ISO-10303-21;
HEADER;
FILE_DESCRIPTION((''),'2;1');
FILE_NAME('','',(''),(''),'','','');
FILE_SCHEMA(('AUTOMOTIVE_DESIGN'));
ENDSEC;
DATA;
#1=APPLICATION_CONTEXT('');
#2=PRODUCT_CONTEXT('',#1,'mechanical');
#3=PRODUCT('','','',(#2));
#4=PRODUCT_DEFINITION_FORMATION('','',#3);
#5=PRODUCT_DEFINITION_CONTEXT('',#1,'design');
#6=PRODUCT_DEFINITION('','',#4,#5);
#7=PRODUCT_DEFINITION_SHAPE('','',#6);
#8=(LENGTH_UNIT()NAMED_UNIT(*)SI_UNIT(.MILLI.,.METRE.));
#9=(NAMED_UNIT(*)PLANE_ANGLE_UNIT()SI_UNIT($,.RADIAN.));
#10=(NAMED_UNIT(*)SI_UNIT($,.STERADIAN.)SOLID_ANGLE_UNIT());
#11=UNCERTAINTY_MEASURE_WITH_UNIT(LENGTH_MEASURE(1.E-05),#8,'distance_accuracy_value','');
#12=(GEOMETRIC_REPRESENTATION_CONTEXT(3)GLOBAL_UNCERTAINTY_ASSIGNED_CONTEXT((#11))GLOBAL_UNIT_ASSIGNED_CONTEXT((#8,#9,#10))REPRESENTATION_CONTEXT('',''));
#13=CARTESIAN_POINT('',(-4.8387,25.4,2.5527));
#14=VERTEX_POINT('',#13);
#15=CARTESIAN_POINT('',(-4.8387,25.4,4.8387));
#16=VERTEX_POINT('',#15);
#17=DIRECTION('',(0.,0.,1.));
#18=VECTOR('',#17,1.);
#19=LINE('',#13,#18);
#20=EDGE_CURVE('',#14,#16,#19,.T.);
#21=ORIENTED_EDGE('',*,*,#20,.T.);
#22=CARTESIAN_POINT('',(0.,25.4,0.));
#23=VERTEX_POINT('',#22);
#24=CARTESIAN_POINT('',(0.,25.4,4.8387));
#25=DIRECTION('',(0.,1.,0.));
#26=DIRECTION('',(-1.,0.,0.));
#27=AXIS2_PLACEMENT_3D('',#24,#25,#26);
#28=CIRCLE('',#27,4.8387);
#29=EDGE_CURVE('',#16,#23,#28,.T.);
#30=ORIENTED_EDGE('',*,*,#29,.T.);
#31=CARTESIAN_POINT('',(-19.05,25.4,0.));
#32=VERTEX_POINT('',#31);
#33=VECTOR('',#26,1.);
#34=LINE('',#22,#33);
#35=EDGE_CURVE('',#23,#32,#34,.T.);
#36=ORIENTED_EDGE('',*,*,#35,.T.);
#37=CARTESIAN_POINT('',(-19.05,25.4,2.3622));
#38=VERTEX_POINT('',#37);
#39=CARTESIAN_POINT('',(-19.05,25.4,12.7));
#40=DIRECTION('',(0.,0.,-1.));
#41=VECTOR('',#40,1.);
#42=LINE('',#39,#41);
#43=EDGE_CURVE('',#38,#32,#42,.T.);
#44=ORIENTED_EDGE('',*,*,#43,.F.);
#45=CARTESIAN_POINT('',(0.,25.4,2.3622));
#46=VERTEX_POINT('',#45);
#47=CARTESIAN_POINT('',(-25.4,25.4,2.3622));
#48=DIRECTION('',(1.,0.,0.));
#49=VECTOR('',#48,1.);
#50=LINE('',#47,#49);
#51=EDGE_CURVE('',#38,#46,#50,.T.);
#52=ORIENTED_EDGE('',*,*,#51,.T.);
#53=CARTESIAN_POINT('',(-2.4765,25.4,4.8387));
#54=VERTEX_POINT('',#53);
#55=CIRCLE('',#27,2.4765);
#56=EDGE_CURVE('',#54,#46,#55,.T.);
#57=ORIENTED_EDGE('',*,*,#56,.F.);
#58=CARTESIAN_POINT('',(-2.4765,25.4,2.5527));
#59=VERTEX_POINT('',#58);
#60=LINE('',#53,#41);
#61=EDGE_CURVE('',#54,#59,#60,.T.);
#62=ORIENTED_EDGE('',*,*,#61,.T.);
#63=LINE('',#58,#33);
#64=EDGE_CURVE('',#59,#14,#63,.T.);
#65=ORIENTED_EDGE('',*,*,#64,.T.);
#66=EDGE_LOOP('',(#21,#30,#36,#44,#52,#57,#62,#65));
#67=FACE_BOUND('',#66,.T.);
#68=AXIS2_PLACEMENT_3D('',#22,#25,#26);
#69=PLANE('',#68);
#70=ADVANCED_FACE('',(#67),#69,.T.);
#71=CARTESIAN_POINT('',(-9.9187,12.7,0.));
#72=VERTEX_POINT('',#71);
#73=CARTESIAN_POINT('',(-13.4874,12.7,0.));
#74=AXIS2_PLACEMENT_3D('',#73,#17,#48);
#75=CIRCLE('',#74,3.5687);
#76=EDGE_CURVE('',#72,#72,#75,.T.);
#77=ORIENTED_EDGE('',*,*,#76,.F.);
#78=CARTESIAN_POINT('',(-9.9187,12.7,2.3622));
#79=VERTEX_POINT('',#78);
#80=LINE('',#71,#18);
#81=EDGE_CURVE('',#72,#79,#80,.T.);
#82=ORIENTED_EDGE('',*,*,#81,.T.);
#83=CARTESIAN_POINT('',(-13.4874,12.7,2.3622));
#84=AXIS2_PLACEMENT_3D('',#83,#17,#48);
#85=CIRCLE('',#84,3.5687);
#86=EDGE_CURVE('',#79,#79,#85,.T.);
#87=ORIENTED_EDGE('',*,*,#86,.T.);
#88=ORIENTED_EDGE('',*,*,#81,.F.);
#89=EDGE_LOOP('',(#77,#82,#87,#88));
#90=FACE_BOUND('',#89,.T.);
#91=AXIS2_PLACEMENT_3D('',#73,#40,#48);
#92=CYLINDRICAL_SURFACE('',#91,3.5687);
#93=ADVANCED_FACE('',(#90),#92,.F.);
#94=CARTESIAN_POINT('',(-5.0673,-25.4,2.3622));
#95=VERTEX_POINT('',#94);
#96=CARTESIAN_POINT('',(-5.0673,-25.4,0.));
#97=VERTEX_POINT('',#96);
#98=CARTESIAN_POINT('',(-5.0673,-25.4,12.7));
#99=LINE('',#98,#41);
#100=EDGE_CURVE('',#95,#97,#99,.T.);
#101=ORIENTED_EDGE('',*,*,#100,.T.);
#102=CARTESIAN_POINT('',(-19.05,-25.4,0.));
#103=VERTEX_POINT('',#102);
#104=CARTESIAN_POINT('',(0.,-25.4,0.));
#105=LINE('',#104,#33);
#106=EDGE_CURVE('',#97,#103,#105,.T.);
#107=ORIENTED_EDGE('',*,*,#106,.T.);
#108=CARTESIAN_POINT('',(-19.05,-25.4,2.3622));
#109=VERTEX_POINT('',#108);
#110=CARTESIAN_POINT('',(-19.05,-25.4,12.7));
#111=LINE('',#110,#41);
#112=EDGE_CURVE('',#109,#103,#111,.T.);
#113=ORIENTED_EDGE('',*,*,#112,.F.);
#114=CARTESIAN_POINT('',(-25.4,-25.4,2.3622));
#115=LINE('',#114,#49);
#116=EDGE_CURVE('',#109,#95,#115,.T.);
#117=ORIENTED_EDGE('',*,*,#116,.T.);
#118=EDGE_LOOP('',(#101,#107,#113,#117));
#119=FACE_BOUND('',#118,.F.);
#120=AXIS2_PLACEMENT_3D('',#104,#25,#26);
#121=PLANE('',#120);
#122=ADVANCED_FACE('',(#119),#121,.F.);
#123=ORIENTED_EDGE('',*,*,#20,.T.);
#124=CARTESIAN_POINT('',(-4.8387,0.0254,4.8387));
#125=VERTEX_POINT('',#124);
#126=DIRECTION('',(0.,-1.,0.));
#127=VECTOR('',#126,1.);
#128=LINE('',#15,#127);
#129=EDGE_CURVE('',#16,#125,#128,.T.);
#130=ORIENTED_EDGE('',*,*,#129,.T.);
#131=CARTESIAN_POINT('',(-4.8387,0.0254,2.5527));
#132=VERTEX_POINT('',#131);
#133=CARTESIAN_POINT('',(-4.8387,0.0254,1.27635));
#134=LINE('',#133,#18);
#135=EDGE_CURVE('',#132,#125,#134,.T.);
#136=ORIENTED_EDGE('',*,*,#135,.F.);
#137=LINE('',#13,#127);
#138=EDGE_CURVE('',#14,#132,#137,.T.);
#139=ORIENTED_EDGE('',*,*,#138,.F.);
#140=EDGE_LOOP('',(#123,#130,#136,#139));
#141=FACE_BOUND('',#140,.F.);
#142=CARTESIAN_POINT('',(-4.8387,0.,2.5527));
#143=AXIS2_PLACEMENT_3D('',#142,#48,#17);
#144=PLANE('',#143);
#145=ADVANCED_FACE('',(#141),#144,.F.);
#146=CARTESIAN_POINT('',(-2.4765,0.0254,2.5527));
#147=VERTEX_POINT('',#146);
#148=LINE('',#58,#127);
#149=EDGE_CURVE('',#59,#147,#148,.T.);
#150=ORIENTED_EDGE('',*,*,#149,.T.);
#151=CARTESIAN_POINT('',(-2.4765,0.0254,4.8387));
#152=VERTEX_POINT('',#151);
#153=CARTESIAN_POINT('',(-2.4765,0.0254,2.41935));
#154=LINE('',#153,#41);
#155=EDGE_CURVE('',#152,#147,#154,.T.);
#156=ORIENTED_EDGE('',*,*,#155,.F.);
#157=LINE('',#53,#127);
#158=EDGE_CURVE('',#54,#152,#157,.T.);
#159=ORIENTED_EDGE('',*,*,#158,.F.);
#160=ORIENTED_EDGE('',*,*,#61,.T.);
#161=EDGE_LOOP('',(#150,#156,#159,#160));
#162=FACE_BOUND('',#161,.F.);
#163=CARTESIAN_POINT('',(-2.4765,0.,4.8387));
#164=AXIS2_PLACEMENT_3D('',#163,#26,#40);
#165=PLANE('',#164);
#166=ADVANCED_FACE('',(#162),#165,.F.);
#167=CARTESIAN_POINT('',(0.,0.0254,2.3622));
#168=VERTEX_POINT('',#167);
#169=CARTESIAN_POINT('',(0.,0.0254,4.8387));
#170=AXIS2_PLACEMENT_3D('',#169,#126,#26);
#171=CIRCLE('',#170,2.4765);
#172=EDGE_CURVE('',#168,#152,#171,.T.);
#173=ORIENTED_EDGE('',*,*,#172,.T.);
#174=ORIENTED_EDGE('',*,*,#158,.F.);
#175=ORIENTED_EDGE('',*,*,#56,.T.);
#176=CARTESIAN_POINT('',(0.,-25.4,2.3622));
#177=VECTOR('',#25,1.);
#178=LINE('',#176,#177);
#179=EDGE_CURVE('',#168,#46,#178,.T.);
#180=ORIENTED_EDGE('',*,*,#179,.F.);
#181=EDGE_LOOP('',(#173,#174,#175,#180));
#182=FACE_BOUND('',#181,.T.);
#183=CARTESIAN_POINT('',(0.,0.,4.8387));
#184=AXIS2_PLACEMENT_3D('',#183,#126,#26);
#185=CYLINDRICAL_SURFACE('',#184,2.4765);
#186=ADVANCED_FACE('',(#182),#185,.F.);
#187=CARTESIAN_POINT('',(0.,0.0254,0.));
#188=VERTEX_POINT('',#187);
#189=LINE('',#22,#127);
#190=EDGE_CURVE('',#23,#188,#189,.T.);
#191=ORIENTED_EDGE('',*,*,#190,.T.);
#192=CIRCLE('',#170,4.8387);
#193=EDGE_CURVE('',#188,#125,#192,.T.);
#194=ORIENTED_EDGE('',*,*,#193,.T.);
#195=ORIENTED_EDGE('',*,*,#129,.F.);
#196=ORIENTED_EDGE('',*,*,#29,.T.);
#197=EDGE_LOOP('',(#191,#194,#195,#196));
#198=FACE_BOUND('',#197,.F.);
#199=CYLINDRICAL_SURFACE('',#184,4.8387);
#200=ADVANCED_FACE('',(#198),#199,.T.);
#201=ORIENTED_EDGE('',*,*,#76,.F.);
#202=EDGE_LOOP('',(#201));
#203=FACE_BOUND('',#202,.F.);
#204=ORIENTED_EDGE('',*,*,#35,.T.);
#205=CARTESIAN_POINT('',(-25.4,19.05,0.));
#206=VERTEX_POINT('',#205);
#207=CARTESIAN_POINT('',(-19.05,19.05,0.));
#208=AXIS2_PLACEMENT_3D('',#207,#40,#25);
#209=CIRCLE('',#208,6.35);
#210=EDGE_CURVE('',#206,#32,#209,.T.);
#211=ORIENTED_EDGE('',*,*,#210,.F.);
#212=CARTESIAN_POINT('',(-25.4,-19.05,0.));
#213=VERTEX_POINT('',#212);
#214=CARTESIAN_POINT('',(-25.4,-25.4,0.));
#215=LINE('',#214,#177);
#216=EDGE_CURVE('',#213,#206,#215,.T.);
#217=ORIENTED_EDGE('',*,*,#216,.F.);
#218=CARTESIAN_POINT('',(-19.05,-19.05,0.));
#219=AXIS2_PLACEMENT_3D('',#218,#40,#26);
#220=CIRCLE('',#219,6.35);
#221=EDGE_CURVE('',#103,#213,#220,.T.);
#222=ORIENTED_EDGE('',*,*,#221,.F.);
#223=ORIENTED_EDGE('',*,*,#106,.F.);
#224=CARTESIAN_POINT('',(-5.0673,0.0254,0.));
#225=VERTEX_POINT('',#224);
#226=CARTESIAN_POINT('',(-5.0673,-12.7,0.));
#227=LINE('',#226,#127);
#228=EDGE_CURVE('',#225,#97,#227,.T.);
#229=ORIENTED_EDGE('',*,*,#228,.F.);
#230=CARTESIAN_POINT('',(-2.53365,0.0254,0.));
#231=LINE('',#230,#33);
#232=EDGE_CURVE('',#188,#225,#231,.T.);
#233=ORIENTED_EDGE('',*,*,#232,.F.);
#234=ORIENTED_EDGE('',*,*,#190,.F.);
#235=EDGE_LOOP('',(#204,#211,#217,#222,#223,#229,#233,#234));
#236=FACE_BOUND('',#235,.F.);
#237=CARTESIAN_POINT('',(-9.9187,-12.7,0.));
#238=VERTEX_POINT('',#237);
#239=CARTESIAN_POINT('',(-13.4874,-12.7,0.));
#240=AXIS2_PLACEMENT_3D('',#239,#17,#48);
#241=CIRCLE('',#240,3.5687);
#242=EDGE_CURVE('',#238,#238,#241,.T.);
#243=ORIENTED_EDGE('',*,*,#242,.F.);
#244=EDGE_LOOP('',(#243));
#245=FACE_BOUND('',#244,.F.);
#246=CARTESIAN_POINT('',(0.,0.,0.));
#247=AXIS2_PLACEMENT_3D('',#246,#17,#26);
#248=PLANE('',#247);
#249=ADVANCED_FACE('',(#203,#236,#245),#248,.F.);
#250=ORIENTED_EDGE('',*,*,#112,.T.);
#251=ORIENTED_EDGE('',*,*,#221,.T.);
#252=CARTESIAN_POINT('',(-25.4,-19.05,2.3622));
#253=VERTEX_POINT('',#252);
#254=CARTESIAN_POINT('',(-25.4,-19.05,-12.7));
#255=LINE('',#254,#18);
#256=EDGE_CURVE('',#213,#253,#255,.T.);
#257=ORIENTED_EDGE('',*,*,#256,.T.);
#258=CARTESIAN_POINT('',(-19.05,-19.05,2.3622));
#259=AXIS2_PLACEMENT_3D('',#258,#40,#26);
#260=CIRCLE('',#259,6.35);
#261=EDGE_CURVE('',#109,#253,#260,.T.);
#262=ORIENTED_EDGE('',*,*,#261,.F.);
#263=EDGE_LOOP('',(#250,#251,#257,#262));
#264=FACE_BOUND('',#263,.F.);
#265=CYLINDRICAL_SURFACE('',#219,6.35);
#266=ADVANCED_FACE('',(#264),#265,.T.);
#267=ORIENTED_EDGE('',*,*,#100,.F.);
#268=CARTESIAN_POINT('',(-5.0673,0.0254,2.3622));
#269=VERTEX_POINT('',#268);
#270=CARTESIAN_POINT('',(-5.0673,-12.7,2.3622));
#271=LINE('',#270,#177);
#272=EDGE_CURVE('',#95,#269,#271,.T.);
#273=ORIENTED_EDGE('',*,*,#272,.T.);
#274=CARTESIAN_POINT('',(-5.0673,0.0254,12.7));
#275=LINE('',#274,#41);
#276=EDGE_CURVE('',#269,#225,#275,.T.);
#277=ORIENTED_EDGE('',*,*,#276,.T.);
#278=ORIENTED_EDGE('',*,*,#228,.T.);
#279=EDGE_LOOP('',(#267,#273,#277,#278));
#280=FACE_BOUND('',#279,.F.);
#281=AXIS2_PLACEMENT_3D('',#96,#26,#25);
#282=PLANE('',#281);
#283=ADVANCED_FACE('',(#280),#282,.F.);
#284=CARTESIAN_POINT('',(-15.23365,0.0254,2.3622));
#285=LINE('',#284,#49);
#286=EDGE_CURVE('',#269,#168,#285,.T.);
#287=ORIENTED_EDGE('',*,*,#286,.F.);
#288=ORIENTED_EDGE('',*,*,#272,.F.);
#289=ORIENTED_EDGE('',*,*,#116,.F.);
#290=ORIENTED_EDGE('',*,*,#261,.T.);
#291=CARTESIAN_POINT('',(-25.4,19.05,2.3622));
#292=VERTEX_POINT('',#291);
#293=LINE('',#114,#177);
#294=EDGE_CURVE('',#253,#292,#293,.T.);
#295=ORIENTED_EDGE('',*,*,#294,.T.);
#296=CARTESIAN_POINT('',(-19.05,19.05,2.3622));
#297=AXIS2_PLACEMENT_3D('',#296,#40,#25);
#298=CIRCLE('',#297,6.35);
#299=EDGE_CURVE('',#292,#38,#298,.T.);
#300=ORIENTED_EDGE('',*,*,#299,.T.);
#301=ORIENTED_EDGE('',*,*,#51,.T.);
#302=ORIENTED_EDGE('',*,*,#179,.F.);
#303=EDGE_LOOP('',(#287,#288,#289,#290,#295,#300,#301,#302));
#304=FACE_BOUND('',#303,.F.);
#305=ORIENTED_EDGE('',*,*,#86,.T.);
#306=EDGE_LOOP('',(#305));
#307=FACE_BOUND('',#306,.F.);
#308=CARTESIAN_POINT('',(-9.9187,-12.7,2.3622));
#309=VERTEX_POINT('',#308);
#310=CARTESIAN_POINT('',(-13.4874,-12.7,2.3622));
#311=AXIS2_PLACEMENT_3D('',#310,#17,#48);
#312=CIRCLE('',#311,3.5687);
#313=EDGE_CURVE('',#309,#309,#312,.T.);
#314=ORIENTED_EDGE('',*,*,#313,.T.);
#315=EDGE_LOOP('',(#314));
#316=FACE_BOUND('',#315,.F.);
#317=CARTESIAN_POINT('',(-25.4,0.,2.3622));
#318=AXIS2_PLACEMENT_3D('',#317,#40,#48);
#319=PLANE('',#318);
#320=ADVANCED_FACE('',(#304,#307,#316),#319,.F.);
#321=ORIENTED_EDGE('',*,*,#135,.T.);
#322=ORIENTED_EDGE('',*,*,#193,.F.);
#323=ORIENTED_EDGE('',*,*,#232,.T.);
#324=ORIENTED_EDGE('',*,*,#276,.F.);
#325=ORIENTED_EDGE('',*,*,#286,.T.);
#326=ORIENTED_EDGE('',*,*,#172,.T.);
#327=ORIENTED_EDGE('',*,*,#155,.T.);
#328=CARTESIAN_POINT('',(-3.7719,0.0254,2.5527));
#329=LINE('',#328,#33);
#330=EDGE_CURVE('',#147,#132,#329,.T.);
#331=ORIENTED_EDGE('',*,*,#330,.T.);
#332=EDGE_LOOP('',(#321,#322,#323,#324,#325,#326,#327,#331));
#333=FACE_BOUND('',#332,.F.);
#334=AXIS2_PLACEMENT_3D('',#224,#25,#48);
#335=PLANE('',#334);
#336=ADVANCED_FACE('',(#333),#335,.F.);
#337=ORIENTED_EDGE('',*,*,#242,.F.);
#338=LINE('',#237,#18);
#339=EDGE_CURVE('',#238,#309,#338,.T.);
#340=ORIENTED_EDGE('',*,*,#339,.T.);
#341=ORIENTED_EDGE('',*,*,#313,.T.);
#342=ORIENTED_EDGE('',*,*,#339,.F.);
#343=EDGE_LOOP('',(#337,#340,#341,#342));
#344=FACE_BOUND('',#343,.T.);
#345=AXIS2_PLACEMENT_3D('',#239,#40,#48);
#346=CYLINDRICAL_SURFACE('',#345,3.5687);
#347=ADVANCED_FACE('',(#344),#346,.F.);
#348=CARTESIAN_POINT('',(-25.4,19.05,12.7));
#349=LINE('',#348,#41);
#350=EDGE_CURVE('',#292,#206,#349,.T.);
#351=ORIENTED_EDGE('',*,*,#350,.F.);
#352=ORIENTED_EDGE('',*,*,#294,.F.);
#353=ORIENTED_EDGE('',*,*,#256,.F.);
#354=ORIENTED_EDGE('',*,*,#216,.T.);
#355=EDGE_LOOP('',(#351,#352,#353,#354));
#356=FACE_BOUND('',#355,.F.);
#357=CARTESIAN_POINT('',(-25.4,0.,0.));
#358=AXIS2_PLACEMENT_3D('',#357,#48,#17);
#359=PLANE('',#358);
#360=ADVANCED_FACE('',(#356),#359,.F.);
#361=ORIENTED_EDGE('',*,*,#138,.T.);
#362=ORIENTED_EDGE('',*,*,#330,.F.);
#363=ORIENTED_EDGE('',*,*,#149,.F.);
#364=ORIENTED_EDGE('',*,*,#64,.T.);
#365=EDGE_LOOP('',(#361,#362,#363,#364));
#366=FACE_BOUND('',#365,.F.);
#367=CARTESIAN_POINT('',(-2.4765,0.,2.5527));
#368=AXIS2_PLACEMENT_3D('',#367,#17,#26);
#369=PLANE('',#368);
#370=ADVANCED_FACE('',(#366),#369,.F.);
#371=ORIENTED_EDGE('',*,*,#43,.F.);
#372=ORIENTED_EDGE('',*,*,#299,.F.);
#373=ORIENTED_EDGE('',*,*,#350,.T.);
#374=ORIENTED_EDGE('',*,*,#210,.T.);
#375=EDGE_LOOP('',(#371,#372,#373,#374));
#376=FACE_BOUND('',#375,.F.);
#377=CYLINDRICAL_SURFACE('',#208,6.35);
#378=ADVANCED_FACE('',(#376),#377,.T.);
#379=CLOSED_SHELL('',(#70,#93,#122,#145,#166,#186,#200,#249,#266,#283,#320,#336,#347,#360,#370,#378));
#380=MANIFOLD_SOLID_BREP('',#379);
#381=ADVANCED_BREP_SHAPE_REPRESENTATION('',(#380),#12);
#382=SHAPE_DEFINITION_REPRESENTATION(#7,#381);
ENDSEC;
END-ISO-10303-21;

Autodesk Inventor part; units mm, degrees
sketch "Sketch_1" plane through (0, 0, 0) normal (0, 1, 0) x (-1, 0, 0)
  line L0 (25.4, 0) -> (25.4, 2.3622)
  line L1 (25.4, 2.3622) -> (0, 2.3622)
  arc A0 (2.4765, 4.8387) -> (0, 2.3622) centre (0, 4.8387) ccw
  line L2 (2.4765, 4.8387) -> (2.4765, 2.5527)
  line L3 (2.4765, 2.5527) -> (4.8387, 2.5527)
  line L4 (4.8387, 2.5527) -> (4.8387, 4.8387)
  arc A1 (4.8387, 4.8387) -> (0, 0) centre (0, 4.8387) ccw
  line L5 (0, 0) -> (25.4, 0)
extrude "Extrusion1" add sketch "Sketch_1" along normal mid plane 50.8
sketch "Sketch_3" plane through (0, 0, 0) normal (0, 0, 1) x (1, 0, 0)
  line L0 (-50.8, 50.8) -> (-50.8, -50.8)
  line L1 (-50.8, -50.8) -> (25.4, -50.8)
  line L2 (25.4, -50.8) -> (25.4, 50.8)
  line L3 (25.4, 50.8) -> (-50.8, 50.8)
  arc A0 (-25.4, -19.05) -> (-19.05, -25.4) centre (-19.05, -19.05) ccw
  line L4 (-19.05, -25.4) -> (-5.0673, -25.4)
  line L5 (-5.0673, -25.4) -> (-5.0673, 0.0254)
  line L6 (-5.0673, 0.0254) -> (12.7, 0.0254)
  line L7 (12.7, 0.0254) -> (12.7, 25.4)
  line L8 (12.7, 25.4) -> (-19.05, 25.4)
  arc A1 (-19.05, 25.4) -> (-25.4, 19.05) centre (-19.05, 19.05) ccw
  line L9 (-25.4, 19.05) -> (-25.4, -19.05)
extrude "Extrusion2" cut sketch "Sketch_3" along normal mid plane 25.4
sketch "Sketch_4" plane through (0, 0, 0) normal (0, 0, 1) x (1, 0, 0)
  circle A0 centre (-13.4874, 12.7) radius 3.5687
extrude "Extrusion3" cut sketch "Sketch_4" along normal mid plane 4.7244
sketch "Sketch_5" plane through (0, 0, 0) normal (0, 0, 1) x (1, 0, 0)
  circle A0 centre (-13.4874, -12.7) radius 3.5687
extrude "Extrusion4" cut sketch "Sketch_5" along normal mid plane 4.7244
ref_plane "to_dummy_XY" through (0, 0, 0) normal (0, -1, 0) x (1, 0, 0)
ref_plane "to_dummy_YZ" through (0, 0, 0) normal (1, 0, 0) x (0, 0, 1)
ref_plane "to_dummy_ZX" through (0, 0, 0) normal (0, 0, 1) x (0, -1, 0)
ref_plane "to_pin_XY" through (0, -25.4, 4.8387) normal (0, -1, 0) x (1, 0, 0)
ref_plane "to_pin_YZ" through (0, -25.4, 4.8387) normal (1, 0, 0) x (0, 0, 1)
ref_plane "to_pin_ZX" through (0, -25.4, 4.8387) normal (0, 0, 1) x (0, -1, 0)
ref_plane "to_right_XY" through (0, 0, 4.8387) normal (0, -1, 0) x (1, 0, 0)
ref_plane "to_right_YZ" through (0, 0, 4.8387) normal (1, 0, 0) x (0, 0, 1)
ref_plane "to_right_ZX" through (0, 0, 4.8387) normal (0, 0, 1) x (0, -1, 0)
properties part number "2838_left"
